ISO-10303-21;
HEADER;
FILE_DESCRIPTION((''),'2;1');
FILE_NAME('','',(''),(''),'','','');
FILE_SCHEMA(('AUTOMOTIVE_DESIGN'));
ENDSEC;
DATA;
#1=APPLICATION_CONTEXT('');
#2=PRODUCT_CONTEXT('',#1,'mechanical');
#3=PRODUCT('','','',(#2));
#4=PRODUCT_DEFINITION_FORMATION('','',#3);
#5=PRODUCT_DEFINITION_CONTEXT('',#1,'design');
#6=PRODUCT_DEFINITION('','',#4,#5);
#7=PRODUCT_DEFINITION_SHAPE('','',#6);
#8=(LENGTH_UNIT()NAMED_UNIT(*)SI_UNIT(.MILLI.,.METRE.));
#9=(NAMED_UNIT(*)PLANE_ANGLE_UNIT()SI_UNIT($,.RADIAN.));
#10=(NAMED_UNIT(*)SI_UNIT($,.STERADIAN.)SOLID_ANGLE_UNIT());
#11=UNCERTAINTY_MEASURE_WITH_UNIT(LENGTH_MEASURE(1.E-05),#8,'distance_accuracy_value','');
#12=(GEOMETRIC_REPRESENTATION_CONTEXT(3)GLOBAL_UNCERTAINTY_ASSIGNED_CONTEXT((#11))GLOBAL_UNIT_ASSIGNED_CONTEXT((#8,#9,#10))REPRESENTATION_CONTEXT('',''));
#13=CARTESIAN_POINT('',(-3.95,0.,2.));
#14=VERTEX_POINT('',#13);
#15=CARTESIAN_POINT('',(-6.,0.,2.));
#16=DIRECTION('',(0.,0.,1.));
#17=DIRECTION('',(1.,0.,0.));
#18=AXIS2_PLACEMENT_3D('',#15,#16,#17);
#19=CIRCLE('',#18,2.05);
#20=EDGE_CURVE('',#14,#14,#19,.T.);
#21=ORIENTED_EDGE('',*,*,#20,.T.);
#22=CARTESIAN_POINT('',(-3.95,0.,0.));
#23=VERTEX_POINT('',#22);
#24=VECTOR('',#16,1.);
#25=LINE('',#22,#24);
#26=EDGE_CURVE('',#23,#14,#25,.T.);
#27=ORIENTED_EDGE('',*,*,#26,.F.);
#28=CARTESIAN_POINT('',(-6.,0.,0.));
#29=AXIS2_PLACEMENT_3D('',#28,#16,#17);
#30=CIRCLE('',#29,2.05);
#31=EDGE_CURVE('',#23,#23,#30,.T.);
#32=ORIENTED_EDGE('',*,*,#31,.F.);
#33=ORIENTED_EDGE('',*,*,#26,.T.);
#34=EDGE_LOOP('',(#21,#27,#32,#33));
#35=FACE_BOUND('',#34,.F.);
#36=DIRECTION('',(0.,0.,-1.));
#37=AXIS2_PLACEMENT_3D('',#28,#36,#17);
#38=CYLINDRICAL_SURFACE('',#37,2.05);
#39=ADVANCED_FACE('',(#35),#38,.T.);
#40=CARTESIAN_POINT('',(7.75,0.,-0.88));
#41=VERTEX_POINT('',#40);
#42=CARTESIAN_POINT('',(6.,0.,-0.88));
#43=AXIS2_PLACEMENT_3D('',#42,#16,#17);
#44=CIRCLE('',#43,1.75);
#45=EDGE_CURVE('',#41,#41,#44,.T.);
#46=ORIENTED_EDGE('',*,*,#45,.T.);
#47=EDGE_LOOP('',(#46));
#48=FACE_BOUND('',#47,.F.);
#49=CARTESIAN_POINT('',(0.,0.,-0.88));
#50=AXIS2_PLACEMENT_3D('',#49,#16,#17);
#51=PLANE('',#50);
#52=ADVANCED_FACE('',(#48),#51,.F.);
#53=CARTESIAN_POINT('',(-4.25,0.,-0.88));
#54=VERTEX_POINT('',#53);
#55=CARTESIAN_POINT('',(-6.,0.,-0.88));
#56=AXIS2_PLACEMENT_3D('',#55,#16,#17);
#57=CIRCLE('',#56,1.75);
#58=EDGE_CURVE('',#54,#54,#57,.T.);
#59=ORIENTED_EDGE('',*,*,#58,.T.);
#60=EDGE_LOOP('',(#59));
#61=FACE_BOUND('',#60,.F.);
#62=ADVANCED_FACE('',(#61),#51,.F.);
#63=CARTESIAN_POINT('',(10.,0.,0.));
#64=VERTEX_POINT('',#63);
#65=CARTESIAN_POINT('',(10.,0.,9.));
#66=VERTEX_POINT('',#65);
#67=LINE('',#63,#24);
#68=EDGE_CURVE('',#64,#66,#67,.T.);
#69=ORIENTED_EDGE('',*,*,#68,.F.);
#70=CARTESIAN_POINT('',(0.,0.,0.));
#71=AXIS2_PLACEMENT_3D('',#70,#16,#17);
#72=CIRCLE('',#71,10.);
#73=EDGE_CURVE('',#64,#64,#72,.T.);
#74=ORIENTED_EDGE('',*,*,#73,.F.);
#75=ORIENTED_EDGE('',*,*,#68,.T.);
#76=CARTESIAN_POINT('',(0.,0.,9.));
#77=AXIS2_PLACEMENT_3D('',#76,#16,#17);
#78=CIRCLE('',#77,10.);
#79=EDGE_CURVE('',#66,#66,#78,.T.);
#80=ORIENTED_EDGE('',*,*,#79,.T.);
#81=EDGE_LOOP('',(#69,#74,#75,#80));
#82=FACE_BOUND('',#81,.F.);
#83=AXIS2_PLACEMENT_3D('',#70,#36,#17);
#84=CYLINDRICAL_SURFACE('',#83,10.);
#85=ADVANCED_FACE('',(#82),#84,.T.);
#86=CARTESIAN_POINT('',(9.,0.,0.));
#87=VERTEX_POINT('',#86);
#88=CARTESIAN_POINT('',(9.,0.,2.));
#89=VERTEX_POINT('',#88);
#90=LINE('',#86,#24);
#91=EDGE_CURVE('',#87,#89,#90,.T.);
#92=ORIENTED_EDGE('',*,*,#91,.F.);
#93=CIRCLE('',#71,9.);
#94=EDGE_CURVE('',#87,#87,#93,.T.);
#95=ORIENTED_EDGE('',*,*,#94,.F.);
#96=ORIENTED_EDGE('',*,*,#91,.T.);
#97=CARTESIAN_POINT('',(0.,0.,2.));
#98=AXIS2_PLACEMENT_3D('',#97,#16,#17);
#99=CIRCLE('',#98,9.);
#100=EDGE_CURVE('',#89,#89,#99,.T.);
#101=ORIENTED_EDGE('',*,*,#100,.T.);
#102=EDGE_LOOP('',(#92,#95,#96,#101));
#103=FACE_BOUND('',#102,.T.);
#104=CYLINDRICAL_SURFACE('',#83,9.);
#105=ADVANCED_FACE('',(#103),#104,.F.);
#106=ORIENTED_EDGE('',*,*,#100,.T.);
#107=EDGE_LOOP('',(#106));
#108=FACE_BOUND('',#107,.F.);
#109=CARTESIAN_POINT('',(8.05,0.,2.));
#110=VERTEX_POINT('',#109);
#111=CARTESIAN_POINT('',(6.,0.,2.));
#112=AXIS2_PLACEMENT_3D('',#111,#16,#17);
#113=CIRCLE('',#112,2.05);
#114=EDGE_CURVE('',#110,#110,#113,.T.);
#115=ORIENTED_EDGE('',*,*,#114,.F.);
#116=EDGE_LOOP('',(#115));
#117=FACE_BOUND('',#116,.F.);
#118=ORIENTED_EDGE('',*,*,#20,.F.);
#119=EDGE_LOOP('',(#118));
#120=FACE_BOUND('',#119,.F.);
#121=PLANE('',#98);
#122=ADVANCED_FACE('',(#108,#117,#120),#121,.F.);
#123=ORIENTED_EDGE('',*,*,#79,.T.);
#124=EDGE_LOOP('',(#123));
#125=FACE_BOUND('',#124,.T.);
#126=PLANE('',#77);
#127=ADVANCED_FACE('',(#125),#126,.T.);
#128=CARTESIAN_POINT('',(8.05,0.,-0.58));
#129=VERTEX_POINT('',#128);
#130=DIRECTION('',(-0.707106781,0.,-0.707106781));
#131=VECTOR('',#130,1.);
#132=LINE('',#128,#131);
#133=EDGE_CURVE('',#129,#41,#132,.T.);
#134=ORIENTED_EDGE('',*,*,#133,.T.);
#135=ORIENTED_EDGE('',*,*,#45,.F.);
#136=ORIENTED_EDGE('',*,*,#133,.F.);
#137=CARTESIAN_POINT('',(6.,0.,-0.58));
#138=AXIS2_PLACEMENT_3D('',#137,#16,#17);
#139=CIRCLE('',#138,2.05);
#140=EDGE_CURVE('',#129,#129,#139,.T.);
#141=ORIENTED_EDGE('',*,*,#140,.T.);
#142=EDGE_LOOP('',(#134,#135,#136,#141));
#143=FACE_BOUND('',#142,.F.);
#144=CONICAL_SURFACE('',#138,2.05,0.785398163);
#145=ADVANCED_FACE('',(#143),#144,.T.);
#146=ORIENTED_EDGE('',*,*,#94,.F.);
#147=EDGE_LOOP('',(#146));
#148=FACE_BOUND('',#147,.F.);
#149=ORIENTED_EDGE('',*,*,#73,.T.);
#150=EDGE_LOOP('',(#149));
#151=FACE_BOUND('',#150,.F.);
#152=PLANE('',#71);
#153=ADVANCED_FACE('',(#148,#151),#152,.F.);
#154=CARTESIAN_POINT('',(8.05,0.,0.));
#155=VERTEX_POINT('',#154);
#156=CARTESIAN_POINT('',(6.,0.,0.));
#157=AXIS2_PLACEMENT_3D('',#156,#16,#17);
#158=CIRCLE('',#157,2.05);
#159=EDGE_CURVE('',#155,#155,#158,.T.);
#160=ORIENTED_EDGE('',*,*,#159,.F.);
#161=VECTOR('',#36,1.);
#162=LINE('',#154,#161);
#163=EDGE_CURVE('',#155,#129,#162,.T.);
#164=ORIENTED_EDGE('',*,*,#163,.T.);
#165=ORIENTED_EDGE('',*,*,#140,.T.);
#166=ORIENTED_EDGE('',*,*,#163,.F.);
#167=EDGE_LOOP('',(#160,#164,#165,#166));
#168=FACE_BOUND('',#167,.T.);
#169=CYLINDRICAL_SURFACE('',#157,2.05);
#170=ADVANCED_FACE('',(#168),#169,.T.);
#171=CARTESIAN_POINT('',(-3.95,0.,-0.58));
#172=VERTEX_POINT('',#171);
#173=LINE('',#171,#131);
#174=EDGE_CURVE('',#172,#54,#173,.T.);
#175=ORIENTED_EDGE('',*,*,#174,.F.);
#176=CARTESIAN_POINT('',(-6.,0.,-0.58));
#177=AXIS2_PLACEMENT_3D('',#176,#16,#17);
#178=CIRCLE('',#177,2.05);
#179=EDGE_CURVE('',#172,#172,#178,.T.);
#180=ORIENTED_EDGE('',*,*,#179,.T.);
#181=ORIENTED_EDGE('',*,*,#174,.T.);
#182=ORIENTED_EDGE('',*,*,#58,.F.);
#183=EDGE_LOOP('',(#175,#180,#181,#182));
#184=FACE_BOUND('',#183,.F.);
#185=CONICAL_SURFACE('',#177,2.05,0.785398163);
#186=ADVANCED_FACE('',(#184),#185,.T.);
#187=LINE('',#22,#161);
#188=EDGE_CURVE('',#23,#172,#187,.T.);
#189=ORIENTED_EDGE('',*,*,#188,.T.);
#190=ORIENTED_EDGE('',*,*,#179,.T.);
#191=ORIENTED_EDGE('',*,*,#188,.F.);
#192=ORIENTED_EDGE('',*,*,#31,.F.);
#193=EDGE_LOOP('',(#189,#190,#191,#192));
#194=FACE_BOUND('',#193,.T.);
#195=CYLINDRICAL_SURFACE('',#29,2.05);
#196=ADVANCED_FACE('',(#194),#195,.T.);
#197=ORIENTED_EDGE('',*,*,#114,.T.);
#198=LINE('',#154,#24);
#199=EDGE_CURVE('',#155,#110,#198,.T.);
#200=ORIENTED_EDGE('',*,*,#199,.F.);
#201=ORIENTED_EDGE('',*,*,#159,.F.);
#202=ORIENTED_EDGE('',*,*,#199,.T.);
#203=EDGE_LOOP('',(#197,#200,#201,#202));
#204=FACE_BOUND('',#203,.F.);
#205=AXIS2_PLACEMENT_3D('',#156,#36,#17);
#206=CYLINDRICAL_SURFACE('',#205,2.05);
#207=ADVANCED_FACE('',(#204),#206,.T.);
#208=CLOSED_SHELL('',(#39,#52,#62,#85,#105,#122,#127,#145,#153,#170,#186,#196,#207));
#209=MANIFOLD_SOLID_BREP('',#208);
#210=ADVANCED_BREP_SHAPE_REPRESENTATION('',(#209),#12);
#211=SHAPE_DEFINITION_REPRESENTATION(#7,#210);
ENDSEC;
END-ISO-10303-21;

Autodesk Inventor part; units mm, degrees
ref_plane "YZ Plane" through (0, 0, 0) normal (1, 0, 0) x (0, 1, 0)
ref_plane "XZ Plane" through (0, 0, 0) normal (0, 1, 0) x (-1, 0, 0)
ref_plane "XY Plane" through (0, 0, 0) normal (0, 0, 1) x (1, 0, 0)
sketch "スケッチ1" plane through (0, 0, 0) normal (0, 0, 1) x (1, 0, 0)
  circle A0 centre (0, 0) radius 10
  circle A1 centre (0, 0) radius 9
  line L0 (-14, 0) -> (14, 0) construction
  line L1 (0, -14) -> (0, 14) construction
  circle A2 centre (-6, 0) radius 2.05
  circle A3 centre (6, 0) radius 2.05
  dimension "d0" = 20
  dimension "d1" = 18
  dimension "d2" = 4.1
  dimension "d3" = 6
extrude "押し出し1" add sketch "スケッチ1" along normal blind 9 contours A0 | A1 | A2 | A3
extrude "押し出し2" cut sketch "スケッチ1" along normal blind 2 contours A1
extrude "押し出し4" add sketch "スケッチ1" against normal blind 0.88 contours A2 | A3
chamfer "面取り1" distance 0.3 angle 45 2 edges at (-8.05, 0, -0.88) (3.95, 0, -0.88)
properties part number "wheel"
